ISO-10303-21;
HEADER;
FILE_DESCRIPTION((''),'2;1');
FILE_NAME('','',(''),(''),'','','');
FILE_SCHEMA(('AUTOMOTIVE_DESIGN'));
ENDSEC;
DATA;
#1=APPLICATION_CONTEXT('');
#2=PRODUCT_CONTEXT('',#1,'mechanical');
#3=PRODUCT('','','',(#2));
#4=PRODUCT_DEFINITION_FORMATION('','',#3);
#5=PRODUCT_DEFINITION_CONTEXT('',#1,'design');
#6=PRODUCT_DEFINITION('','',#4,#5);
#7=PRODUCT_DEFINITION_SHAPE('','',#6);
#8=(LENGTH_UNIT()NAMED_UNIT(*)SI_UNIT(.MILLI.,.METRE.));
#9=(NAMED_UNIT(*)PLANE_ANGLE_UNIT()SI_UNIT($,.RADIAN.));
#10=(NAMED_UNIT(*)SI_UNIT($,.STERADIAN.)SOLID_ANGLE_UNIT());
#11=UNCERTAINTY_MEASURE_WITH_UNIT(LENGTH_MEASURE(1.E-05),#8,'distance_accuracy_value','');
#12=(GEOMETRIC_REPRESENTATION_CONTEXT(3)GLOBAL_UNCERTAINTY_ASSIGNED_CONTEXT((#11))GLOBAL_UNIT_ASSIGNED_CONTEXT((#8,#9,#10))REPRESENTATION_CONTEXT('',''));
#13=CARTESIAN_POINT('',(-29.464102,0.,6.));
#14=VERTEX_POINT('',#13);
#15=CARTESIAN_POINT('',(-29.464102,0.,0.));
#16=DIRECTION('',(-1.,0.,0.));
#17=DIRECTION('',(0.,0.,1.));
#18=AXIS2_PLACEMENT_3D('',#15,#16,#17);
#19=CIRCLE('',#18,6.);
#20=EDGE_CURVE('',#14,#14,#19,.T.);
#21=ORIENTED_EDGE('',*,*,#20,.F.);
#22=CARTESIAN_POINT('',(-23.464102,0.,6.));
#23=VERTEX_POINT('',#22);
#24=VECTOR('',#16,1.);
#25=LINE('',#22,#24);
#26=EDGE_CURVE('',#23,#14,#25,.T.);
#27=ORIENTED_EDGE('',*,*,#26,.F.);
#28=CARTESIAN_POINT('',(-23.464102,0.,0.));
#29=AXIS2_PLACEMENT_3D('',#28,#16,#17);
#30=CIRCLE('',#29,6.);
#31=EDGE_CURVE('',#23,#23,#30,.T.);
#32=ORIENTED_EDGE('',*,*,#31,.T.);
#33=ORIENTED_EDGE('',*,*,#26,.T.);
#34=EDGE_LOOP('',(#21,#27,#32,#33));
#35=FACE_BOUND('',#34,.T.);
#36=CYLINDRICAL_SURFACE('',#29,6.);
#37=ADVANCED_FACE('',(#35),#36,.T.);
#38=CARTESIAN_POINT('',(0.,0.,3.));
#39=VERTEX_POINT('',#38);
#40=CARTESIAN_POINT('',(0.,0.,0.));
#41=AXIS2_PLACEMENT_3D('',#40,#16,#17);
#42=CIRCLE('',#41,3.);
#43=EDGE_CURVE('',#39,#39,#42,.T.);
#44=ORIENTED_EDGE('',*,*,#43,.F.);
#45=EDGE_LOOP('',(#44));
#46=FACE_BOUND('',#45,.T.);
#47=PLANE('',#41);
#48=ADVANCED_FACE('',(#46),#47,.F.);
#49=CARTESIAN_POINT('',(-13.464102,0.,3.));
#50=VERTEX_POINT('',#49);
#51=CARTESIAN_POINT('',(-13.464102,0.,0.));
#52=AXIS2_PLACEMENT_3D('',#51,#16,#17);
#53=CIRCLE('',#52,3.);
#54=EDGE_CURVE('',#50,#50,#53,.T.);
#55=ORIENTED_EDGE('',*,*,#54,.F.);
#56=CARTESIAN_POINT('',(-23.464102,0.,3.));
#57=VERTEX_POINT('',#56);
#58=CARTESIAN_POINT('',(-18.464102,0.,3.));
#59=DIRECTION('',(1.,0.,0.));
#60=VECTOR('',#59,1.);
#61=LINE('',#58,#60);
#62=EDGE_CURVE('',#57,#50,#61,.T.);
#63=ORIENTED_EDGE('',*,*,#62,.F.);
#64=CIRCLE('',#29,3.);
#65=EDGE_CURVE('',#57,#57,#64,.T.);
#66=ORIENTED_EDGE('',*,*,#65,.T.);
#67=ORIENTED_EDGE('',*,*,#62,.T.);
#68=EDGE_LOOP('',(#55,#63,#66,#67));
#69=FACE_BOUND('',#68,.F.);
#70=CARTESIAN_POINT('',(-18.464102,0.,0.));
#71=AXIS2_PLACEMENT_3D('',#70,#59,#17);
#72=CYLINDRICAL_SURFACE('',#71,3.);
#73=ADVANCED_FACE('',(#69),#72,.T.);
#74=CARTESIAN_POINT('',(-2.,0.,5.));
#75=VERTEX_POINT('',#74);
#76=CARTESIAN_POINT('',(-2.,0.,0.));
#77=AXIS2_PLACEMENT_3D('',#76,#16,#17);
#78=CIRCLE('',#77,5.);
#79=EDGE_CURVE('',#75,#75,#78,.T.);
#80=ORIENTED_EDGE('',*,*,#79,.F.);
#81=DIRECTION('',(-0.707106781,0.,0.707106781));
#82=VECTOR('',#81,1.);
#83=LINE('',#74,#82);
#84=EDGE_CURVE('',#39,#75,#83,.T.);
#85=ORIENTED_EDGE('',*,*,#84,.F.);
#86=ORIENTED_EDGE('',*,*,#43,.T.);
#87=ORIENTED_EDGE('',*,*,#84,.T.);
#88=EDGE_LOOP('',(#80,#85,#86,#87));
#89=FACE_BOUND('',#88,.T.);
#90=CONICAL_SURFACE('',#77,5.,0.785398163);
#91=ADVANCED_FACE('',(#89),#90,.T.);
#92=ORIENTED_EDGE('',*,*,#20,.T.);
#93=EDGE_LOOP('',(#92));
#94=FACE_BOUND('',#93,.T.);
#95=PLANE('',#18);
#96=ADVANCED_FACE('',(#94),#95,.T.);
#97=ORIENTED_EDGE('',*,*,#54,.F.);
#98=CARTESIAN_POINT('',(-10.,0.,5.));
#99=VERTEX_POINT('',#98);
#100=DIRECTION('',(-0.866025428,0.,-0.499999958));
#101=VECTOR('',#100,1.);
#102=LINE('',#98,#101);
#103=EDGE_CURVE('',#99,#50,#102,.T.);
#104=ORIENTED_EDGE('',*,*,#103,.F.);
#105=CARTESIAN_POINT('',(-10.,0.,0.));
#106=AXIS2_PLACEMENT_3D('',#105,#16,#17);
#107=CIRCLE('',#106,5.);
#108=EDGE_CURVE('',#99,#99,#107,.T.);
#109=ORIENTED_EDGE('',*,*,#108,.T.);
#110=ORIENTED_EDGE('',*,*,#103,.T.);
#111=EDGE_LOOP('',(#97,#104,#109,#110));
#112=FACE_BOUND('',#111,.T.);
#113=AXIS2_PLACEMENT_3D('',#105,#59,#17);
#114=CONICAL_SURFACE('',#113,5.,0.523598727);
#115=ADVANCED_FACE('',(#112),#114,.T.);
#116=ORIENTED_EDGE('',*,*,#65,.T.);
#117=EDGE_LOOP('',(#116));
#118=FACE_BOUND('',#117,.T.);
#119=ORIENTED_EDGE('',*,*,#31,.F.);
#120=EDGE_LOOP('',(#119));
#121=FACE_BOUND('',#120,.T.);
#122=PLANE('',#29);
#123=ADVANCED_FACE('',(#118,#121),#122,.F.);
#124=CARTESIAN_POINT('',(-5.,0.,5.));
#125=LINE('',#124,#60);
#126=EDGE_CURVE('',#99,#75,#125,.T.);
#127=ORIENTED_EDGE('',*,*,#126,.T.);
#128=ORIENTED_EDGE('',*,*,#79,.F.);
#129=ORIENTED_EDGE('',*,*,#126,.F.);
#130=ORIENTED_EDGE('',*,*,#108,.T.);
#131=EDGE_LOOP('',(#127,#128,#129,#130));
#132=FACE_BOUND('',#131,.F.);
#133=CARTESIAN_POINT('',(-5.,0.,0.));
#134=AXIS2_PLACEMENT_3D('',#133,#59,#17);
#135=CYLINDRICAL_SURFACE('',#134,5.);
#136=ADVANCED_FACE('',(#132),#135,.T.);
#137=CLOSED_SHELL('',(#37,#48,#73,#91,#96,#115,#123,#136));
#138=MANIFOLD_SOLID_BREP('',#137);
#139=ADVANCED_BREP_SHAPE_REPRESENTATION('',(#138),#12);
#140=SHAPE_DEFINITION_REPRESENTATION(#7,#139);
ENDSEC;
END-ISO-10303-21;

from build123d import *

# Parameters (mm, degrees)
F0_W    = 10
F0_H    = 5
F0_H_2  = 3
F2_SIZE = 2


with BuildPart() as f1:
    # F0 (on Front) → F1 (revolve)
    with BuildSketch(Plane.XZ):
        with Locations((-5, 2.5)):
            Rectangle(F0_W, F0_H)
        Polygon((-10, 0), (-10, 5), (-13.464102, 3), (-13.464102, 0), align=None)
        with Locations((-18.464102, 1.5)):
            Rectangle(F0_W, F0_H_2)
        Polygon((-23.464102, 0), (-23.464102, 3), (-23.464102, 6), (-29.464102, 6), (-29.464102, 0), align=None)
    revolve(axis=Axis((-14.839673, 0, 0), (-1, 0, 0)))

    # F2
    f2_edges = [f1.edges().sort_by_distance(p)[0] for p in [
        (0, 0, -5),
    ]]
    chamfer(f2_edges, length=F2_SIZE)


solid = f1.part
